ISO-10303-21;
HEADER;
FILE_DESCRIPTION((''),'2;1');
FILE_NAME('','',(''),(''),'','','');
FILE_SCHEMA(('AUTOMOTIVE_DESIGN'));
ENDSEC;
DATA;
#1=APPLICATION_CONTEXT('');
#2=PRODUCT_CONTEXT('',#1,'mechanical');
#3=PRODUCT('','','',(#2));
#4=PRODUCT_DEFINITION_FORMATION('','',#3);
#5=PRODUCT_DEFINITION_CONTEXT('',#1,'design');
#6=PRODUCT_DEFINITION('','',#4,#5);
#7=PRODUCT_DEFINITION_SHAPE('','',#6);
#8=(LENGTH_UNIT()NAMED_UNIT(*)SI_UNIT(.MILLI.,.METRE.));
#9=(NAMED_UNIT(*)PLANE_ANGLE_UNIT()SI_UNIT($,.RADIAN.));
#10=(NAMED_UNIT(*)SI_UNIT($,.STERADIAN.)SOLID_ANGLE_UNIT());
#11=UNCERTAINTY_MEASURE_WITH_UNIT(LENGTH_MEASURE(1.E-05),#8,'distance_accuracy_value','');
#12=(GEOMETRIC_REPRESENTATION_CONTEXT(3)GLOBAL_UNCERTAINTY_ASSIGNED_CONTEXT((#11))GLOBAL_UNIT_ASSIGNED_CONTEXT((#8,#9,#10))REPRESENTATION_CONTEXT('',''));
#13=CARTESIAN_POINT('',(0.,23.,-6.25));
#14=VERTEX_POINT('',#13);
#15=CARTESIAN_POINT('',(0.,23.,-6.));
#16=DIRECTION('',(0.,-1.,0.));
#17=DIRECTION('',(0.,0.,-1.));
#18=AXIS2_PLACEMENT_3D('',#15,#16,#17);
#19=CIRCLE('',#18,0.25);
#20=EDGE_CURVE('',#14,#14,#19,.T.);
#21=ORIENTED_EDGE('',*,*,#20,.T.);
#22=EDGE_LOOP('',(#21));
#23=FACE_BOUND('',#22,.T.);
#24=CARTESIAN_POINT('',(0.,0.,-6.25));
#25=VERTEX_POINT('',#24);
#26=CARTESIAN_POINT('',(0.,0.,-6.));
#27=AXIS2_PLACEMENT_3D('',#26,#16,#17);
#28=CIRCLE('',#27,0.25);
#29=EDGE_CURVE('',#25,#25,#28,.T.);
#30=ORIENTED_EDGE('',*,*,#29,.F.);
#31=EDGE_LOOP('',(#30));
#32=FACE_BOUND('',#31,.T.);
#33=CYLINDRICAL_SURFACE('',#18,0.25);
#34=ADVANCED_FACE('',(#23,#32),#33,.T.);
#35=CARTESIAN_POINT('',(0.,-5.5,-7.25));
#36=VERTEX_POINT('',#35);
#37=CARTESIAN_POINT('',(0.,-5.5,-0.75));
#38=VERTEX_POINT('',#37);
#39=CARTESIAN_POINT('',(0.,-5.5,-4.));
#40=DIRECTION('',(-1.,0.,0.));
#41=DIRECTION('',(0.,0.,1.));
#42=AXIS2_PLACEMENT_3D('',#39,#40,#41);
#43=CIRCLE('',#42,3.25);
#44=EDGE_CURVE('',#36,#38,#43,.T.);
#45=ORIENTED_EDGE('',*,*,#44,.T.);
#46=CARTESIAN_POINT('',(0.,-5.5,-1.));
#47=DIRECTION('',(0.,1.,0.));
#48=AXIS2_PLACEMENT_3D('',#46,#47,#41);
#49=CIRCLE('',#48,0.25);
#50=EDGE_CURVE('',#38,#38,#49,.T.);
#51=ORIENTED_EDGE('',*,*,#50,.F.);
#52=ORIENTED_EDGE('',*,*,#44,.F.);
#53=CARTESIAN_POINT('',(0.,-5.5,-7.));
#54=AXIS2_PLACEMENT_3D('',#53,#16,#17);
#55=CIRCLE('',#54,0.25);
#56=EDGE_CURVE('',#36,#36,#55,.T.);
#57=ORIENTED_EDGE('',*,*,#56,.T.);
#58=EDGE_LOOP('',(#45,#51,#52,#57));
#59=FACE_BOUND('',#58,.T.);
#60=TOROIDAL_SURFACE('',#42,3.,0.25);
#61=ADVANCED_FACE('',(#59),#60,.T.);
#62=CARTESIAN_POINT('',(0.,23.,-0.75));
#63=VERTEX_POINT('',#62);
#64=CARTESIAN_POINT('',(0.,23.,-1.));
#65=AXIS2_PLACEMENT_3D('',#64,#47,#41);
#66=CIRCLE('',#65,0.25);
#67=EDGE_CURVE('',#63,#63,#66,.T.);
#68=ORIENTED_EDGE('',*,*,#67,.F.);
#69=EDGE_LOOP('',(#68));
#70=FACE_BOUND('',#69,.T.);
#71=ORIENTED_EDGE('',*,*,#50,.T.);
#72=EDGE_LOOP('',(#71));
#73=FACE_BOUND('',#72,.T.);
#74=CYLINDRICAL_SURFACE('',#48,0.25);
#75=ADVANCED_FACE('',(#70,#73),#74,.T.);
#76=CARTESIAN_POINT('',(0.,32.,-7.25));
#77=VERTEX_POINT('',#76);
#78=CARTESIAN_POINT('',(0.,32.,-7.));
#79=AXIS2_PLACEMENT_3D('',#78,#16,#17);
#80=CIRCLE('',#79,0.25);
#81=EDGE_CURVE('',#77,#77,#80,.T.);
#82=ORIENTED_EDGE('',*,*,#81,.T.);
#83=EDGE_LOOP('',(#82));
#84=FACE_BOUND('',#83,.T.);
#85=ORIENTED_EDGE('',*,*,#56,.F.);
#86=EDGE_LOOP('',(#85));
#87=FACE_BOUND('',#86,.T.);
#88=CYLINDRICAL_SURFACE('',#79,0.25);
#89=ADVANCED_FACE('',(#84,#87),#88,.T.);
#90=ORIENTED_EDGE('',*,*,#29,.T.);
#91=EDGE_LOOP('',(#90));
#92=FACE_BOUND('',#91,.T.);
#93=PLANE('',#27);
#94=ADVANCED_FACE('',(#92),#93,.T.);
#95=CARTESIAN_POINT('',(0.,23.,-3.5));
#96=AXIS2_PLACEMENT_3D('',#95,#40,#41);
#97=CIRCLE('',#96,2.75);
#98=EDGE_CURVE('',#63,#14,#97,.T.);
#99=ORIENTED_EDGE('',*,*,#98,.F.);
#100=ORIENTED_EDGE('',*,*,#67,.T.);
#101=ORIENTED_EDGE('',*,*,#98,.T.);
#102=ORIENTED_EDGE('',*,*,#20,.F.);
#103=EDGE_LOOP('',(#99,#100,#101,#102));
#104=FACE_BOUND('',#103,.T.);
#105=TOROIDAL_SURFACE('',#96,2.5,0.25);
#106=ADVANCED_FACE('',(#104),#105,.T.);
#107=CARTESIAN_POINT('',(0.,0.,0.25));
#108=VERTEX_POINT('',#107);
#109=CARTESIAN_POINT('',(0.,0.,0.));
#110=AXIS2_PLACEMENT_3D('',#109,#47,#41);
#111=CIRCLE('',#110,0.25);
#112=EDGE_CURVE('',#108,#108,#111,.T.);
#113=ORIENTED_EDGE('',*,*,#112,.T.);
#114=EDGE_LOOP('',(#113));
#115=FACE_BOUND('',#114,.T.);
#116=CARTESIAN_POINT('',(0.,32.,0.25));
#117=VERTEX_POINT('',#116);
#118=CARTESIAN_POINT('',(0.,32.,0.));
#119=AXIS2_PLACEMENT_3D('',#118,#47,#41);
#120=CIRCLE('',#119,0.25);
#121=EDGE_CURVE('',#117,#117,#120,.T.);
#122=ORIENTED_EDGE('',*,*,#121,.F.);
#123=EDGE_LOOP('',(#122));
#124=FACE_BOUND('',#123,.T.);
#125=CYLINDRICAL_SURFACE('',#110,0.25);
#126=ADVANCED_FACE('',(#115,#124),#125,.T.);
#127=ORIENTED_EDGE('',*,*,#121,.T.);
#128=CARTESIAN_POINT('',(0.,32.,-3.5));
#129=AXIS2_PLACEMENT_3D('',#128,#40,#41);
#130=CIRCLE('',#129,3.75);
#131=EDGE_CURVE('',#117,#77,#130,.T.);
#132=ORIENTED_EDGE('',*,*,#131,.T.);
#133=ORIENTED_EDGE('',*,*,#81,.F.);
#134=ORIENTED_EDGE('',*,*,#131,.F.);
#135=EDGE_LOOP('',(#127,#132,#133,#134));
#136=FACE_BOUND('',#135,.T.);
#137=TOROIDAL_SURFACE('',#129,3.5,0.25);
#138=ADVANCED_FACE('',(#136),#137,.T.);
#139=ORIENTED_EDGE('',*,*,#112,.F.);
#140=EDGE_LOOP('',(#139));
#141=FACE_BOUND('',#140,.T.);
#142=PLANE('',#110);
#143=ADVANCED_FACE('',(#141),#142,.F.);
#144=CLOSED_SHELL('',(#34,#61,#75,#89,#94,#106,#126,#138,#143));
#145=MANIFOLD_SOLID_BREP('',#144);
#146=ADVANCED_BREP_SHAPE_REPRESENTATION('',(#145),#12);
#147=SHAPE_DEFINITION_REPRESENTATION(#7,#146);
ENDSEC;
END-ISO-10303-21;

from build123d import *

# Parameters (mm, degrees)
SKETCH2_R = 0.25


with BuildPart() as part:
    # Sweep1: sweep along a path in Sketch1
    with BuildLine(Plane.YZ) as sweep1_path:
        Line((0, 0), (32, 0))
        ThreePointArc((32, 0), (35.5, -3.5), (32, -7))
        Line((32, -7), (-5.5, -7))
        ThreePointArc((-5.5, -7), (-8.5, -4), (-5.5, -1))
        Line((-5.5, -1), (23, -1))
        ThreePointArc((23, -1), (25.5, -3.5), (23, -6))
        Line((23, -6), (0, -6))
    # Sketch2 → Sweep1 (sweep)
    with BuildSketch(Plane(origin=(0, 0, 0), x_dir=(-1, 0, 0), z_dir=(0, 1, 0))):
        Circle(SKETCH2_R)
    sweep(path=sweep1_path.line)


solid = part.part
